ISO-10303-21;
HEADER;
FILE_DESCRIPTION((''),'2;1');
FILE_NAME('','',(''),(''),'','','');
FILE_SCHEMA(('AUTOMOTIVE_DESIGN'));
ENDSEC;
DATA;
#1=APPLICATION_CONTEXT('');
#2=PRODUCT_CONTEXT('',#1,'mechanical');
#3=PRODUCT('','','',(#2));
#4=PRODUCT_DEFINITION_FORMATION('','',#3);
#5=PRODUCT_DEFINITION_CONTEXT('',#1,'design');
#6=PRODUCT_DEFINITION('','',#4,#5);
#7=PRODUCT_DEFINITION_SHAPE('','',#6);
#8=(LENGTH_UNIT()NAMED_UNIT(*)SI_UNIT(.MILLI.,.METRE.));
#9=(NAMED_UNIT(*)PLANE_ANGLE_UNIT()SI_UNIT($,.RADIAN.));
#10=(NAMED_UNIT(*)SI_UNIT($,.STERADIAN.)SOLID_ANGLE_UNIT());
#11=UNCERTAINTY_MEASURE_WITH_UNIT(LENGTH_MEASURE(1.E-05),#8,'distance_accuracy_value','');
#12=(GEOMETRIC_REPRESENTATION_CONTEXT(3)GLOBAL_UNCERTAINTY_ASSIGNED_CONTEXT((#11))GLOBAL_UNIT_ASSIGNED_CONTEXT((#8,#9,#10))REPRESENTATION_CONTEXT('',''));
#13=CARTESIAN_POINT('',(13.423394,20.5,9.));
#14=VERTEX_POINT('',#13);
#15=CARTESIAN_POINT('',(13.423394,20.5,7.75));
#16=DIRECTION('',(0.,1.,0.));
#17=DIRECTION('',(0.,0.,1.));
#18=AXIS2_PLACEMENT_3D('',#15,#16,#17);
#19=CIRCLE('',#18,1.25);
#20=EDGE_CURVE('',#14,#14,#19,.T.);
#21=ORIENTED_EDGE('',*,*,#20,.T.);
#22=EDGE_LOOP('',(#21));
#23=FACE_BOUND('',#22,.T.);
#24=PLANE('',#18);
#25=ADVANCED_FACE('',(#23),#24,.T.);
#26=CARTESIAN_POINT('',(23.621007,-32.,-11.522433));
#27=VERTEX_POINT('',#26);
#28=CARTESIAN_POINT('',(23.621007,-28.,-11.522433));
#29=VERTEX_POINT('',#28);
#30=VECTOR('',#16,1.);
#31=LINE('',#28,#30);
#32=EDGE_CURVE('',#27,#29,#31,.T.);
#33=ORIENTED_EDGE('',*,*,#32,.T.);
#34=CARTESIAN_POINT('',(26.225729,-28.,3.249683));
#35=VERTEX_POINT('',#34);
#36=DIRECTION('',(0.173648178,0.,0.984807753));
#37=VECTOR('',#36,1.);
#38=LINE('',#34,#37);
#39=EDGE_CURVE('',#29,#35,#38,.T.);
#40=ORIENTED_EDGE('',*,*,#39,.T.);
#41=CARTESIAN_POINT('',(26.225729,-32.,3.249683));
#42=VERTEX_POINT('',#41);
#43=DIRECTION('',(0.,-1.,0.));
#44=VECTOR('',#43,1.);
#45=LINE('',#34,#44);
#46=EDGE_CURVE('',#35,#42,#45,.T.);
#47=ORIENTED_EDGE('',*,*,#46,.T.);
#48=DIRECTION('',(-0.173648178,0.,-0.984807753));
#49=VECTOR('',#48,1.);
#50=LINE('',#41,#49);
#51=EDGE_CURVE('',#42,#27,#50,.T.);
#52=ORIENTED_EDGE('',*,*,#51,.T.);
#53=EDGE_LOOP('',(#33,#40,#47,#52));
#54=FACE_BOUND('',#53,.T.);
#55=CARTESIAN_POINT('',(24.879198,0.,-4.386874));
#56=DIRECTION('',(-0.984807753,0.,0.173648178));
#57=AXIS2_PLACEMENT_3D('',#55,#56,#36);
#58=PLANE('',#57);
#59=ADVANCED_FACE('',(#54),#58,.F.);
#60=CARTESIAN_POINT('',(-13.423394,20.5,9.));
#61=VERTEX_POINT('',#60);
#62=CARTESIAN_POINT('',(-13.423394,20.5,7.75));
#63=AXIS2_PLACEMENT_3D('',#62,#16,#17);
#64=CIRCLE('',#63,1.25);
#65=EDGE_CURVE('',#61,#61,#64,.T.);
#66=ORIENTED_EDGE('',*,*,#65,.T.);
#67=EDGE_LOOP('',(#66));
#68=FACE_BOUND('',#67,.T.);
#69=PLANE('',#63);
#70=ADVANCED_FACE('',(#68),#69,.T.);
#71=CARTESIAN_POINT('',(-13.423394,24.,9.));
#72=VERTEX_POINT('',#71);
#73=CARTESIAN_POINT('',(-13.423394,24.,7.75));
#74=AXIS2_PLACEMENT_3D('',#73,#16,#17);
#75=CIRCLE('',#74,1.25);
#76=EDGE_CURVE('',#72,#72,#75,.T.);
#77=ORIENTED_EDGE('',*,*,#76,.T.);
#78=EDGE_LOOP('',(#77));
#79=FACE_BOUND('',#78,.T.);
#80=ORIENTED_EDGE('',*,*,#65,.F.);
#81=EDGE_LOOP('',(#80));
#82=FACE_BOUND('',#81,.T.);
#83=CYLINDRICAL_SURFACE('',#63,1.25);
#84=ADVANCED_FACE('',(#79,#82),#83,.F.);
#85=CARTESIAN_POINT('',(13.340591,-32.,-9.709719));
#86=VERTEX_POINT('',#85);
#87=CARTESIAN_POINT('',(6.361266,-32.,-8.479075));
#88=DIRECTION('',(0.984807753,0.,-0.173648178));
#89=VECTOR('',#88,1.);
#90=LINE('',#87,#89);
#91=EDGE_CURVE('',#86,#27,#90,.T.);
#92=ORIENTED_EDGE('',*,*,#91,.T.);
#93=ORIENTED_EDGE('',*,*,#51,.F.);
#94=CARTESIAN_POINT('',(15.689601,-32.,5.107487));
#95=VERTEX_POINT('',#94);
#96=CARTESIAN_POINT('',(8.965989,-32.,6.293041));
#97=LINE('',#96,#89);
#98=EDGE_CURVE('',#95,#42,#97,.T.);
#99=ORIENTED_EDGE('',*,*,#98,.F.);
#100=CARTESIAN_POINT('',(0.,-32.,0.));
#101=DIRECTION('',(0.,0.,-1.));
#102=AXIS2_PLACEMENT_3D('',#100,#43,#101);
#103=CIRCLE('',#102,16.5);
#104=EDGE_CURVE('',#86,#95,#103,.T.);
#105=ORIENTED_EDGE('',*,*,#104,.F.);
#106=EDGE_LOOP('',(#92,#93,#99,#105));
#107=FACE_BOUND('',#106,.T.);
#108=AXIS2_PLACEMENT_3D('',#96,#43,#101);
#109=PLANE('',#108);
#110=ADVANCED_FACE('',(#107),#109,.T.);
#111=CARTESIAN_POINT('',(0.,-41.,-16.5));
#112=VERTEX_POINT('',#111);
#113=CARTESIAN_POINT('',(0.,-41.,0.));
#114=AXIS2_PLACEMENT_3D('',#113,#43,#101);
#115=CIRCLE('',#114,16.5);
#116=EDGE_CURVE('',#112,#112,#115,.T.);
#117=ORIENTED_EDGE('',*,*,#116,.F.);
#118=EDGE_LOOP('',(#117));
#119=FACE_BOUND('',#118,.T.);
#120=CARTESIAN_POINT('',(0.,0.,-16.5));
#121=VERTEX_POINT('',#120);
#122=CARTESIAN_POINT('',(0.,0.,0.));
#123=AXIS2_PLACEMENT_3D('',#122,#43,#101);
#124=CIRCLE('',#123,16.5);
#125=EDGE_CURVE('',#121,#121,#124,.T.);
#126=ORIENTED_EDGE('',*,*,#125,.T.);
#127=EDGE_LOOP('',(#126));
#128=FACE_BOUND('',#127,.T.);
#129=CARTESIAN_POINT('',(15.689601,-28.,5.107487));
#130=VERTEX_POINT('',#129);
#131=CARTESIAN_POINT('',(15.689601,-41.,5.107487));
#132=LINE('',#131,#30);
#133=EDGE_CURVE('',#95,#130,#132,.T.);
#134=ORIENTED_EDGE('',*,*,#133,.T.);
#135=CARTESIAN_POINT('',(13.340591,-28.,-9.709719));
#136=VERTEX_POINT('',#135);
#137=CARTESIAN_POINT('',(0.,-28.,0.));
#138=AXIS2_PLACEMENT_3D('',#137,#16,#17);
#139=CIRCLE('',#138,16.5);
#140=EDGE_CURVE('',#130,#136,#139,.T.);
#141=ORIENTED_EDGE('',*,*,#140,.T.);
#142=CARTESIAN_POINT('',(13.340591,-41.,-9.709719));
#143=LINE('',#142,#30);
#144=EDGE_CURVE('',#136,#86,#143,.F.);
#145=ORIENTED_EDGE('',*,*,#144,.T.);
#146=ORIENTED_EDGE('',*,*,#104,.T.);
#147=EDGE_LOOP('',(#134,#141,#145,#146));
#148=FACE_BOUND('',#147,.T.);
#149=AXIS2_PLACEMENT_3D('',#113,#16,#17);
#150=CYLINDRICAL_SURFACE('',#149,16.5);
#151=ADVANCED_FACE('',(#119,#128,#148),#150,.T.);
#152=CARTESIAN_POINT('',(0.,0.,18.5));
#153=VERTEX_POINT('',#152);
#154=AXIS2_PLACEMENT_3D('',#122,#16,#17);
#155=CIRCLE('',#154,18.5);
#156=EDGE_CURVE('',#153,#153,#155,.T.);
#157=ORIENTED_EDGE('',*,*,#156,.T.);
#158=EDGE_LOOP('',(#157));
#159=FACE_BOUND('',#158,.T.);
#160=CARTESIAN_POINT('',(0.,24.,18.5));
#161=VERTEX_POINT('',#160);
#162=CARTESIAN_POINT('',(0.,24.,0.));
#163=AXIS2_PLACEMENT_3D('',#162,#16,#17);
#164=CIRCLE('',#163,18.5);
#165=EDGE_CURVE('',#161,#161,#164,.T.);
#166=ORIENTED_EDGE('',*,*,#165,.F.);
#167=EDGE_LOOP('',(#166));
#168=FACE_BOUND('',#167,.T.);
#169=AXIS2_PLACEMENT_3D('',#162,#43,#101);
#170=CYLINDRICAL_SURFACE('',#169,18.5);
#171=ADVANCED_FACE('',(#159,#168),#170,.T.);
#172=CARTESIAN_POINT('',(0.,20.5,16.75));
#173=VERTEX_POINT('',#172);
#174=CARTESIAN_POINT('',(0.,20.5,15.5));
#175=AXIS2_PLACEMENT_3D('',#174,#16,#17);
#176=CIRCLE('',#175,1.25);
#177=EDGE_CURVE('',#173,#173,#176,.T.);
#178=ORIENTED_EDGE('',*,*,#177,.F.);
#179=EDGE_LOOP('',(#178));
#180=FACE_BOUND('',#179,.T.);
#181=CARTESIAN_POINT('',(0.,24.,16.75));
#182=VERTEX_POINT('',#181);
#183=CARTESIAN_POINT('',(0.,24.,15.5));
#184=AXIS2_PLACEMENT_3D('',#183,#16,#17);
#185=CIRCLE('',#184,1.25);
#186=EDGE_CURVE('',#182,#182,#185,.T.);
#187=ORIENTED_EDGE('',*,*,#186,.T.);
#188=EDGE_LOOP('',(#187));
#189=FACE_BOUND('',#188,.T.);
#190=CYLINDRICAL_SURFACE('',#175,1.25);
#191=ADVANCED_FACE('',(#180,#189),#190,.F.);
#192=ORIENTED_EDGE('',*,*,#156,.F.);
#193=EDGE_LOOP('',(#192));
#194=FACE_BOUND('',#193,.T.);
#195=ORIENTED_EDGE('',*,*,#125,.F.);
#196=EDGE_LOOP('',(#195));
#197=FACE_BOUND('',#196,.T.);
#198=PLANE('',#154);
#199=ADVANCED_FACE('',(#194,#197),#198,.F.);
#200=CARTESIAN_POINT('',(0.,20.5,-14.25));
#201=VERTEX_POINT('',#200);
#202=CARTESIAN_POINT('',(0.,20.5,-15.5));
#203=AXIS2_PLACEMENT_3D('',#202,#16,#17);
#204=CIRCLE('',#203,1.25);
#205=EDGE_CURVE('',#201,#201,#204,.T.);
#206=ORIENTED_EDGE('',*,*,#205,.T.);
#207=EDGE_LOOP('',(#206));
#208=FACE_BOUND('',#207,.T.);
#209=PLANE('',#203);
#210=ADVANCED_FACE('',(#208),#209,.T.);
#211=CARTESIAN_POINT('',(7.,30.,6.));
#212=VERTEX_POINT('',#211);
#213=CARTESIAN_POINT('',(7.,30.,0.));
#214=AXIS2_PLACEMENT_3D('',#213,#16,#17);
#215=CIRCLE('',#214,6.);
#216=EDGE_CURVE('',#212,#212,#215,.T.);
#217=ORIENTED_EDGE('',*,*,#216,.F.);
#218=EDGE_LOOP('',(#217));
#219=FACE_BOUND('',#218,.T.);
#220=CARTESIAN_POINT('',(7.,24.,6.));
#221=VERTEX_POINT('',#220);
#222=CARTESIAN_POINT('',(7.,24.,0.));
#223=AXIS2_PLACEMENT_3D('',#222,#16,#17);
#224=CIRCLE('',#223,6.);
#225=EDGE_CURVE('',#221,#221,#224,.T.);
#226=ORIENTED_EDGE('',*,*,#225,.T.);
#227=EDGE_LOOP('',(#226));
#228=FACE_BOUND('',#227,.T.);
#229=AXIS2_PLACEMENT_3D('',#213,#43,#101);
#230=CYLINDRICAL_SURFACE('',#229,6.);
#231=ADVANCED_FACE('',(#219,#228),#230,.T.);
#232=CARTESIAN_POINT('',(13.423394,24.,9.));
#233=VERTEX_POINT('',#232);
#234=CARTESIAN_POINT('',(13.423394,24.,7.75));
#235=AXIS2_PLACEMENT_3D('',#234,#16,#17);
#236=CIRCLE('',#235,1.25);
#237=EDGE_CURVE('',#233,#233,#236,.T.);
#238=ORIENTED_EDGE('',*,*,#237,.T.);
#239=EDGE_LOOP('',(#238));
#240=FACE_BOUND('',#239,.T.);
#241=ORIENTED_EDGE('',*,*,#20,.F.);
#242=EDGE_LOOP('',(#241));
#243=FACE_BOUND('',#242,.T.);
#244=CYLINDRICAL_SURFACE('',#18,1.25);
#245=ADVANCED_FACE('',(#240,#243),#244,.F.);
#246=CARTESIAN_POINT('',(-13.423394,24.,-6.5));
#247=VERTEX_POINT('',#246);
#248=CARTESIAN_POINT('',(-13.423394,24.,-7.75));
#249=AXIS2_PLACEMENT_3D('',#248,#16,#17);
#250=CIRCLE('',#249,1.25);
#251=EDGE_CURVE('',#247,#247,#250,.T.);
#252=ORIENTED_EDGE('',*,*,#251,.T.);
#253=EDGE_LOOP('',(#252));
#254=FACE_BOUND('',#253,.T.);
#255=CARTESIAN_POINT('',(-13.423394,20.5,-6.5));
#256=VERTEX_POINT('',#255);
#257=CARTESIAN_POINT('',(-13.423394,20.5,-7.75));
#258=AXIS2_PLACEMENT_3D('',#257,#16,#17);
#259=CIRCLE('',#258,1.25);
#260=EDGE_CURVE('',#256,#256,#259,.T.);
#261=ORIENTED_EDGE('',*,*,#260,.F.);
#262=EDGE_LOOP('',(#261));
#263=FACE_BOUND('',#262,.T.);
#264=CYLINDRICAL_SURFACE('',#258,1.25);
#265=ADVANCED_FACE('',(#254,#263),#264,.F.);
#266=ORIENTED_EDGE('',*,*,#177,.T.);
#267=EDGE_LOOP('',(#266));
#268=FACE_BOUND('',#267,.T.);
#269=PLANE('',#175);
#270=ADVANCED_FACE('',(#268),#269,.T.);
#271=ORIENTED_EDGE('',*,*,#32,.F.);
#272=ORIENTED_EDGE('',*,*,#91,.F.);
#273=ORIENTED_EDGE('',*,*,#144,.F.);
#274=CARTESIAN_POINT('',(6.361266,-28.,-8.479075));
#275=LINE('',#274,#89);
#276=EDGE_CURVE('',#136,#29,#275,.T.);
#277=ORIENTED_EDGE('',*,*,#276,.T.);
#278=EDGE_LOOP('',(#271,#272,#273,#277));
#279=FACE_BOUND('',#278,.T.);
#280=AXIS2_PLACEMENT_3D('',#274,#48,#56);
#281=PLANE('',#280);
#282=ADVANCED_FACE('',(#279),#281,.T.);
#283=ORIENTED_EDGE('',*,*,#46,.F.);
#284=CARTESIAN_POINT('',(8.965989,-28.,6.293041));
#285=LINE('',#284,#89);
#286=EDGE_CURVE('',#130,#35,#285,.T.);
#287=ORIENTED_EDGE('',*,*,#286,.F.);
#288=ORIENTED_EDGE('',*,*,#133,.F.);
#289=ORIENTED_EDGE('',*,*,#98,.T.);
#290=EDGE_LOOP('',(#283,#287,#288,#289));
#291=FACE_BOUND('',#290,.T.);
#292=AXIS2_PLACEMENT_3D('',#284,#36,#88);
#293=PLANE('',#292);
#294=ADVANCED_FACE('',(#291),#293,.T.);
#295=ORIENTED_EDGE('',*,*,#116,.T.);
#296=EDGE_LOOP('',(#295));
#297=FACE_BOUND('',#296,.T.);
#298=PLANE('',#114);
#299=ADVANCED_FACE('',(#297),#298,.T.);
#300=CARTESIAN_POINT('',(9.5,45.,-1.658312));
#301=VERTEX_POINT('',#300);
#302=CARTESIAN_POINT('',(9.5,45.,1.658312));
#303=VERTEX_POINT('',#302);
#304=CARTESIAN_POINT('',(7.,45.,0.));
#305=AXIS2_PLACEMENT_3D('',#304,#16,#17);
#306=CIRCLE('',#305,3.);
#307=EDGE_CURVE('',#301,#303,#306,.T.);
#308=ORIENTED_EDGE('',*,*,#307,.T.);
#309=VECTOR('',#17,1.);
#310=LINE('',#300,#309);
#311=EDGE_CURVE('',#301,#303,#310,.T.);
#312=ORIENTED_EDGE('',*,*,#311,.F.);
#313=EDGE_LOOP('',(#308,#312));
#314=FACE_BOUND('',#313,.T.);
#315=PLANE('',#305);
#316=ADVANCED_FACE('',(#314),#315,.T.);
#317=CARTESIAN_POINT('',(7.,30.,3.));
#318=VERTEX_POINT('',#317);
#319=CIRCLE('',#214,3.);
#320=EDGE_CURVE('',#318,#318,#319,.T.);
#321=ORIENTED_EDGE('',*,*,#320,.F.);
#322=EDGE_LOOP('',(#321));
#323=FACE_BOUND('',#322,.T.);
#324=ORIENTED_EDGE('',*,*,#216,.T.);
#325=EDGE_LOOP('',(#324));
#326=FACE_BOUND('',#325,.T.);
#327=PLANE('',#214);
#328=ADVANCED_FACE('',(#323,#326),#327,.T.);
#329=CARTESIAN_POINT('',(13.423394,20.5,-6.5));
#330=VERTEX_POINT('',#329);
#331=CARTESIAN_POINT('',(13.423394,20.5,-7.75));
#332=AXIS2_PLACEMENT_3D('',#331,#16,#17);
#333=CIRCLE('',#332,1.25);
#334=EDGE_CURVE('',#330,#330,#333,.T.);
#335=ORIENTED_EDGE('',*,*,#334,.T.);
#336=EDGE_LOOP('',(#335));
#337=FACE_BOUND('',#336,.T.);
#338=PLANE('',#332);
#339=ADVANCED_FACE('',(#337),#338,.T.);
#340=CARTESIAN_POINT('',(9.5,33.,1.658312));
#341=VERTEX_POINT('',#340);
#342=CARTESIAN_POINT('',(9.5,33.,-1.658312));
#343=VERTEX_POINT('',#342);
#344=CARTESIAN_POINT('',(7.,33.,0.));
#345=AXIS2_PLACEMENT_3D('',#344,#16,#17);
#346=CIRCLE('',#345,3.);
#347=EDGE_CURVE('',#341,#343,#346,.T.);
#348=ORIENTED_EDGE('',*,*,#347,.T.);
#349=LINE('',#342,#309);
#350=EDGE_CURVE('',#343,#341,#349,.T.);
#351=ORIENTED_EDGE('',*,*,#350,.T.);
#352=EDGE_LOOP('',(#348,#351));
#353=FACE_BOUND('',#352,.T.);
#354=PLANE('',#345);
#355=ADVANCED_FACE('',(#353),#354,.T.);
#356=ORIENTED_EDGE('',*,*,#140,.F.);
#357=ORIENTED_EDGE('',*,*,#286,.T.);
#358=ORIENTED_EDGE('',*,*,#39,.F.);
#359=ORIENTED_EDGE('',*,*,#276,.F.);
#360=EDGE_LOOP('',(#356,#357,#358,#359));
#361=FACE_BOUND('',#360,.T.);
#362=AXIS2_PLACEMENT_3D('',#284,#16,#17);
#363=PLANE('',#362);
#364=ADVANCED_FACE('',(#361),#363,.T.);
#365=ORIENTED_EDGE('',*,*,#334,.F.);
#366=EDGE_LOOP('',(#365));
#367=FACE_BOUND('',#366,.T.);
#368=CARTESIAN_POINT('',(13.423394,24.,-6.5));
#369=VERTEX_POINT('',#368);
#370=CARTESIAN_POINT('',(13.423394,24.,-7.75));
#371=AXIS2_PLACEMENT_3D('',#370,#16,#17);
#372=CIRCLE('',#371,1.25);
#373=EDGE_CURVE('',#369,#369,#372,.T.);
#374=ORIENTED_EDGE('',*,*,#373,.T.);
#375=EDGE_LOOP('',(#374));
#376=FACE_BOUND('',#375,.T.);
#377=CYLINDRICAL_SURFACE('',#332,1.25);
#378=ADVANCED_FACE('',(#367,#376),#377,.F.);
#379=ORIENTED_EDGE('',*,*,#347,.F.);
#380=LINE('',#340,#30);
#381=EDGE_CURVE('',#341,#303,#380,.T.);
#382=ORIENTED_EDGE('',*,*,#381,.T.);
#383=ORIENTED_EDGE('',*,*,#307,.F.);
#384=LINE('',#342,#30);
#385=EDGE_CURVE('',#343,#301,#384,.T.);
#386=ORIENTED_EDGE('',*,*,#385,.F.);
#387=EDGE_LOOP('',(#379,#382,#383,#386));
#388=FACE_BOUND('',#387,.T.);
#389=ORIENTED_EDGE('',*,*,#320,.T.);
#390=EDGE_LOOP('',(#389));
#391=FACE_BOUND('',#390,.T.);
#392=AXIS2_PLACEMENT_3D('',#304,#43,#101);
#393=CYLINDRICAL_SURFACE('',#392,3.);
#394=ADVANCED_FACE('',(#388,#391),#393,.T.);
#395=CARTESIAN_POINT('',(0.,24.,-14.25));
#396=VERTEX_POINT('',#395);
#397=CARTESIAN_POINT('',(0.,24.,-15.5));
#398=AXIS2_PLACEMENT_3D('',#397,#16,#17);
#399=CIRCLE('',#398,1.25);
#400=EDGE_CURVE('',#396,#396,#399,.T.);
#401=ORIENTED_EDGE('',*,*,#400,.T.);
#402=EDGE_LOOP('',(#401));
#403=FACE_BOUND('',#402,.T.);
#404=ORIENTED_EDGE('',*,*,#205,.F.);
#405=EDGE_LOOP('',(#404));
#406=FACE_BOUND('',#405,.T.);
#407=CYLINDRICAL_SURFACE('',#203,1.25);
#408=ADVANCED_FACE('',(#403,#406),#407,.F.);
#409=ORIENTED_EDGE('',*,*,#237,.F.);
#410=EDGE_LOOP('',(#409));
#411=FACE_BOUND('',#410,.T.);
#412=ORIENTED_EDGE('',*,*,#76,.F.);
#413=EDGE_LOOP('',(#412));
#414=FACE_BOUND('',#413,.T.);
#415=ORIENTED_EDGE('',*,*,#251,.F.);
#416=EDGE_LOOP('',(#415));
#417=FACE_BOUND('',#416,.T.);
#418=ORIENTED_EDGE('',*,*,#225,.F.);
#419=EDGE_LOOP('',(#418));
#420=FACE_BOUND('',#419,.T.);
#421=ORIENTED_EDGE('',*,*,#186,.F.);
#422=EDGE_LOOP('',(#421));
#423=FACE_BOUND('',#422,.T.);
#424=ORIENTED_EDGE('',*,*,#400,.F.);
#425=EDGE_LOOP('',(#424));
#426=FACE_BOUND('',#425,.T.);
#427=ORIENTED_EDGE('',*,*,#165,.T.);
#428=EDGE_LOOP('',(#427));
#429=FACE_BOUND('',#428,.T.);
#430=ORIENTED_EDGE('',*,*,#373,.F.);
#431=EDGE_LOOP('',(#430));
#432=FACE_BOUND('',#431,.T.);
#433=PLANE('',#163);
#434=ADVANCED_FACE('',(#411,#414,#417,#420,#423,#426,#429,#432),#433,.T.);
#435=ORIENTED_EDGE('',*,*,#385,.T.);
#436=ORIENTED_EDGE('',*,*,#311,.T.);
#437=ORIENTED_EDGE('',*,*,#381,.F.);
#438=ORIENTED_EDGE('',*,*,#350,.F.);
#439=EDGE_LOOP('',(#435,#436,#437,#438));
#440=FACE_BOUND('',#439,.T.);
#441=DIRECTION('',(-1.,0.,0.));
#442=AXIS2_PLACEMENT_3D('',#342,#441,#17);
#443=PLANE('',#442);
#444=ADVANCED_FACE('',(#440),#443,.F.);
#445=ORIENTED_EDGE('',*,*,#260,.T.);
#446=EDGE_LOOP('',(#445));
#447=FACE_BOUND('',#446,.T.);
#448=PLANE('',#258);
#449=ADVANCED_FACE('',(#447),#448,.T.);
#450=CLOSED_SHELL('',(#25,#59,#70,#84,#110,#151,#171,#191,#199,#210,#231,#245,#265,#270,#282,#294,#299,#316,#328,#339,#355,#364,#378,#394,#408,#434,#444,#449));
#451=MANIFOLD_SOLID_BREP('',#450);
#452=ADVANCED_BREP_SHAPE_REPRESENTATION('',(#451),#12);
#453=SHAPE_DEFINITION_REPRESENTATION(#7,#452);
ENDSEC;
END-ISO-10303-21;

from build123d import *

# Parameters (mm, degrees)
SKETCH1_R           = 18.5
BOSS_EXTRUDE1_DEPTH = 24
SKETCH2_R           = 16.5
BOSS_EXTRUDE2_DEPTH = 41
SKETCH6_R           = 1.25
CUT_EXTRUDE1_DEPTH  = 3.5
SKETCH7_R           = 6
BOSS_EXTRUDE5_DEPTH = 6
SKETCH8_R           = 3
BOSS_EXTRUDE6_DEPTH = 15
CUT_EXTRUDE2_START  = -12
CUT_EXTRUDE2_DEPTH  = 12
SKETCH3_W           = 4
SKETCH3_H           = 15
BOSS_EXTRUDE4_DEPTH = 8.763


with BuildPart() as part:
    # Sketch1 → Boss-Extrude1 (new body)
    with BuildSketch(Plane(origin=(0, 0, 0), x_dir=(1, 0, 0), z_dir=(0, 1, 0))):
        with Locations(Location((0, 0, 0), (0, 0, 270))):
            Circle(SKETCH1_R)
    extrude(amount=BOSS_EXTRUDE1_DEPTH)

    # Sketch2 → Boss-Extrude2 (add)
    with BuildSketch(Plane.XZ):
        with Locations(Location((0, 0, 0), (0, 0, 270))):
            Circle(SKETCH2_R)
    extrude(amount=BOSS_EXTRUDE2_DEPTH)

    # Sketch6 → Cut-Extrude1 (cut)
    with BuildSketch(Plane(origin=(0, 24, 0), x_dir=(1, 0, 0), z_dir=(0, 1, 0))):
        with Locations(Location((13.423393759, 7.75, 0), (0, 0, 270))):
            Circle(SKETCH6_R)
        with Locations(Location((0, 15.5, 0), (0, 0, 270))):
            Circle(SKETCH6_R)
        with Locations(Location((13.423393759, -7.75, 0), (0, 0, 270))):
            Circle(SKETCH6_R)
        with Locations(Location((0, -15.5, 0), (0, 0, 270))):
            Circle(SKETCH6_R)
        with Locations(Location((-13.423393759, -7.75, 0), (0, 0, 270))):
            Circle(SKETCH6_R)
        with Locations(Location((-13.423393759, 7.75, 0), (0, 0, 270))):
            Circle(SKETCH6_R)
    extrude(amount=-CUT_EXTRUDE1_DEPTH, mode=Mode.SUBTRACT)

    # Sketch7 → Boss-Extrude5 (add)
    with BuildSketch(Plane(origin=(0, 24, 0), x_dir=(1, 0, 0), z_dir=(0, 1, 0))):
        with Locations(Location((7, 0, 0), (0, 0, 270))):
            Circle(SKETCH7_R)
    extrude(amount=BOSS_EXTRUDE5_DEPTH)

    # Sketch8 → Boss-Extrude6 (add)
    with BuildSketch(Plane(origin=(0, 30, 0), x_dir=(1, 0, 0), z_dir=(0, 1, 0))):
        with Locations(Location((7, 0, 0), (0, 0, 270))):
            Circle(SKETCH8_R)
    extrude(amount=BOSS_EXTRUDE6_DEPTH)

    # Sketch9 → Cut-Extrude2 (cut)
    with BuildSketch(Plane(origin=(0, 45, 0), x_dir=(1, 0, 0), z_dir=(0, 1, 0)).offset(CUT_EXTRUDE2_START)):
        with BuildLine():
            Line((9.5, 1.658312395), (9.5, -1.658312395))
            ThreePointArc((9.5, -1.658312395), (10, 0), (9.5, 1.658312395))
        make_face()
    extrude(amount=CUT_EXTRUDE2_DEPTH, mode=Mode.SUBTRACT)

    # Sketch3 → Boss-Extrude4 (add, symmetric)
    with BuildSketch(Plane(origin=(16.249327925, 0, -2.865194932), x_dir=(0, 1, 0), z_dir=(0.984807753012208, 0, -0.17364817766693072))):
        with Locations((-30, 0.254363191)):
            Rectangle(SKETCH3_W, SKETCH3_H)
    extrude(amount=BOSS_EXTRUDE4_DEPTH, both=True)


solid = part.part
